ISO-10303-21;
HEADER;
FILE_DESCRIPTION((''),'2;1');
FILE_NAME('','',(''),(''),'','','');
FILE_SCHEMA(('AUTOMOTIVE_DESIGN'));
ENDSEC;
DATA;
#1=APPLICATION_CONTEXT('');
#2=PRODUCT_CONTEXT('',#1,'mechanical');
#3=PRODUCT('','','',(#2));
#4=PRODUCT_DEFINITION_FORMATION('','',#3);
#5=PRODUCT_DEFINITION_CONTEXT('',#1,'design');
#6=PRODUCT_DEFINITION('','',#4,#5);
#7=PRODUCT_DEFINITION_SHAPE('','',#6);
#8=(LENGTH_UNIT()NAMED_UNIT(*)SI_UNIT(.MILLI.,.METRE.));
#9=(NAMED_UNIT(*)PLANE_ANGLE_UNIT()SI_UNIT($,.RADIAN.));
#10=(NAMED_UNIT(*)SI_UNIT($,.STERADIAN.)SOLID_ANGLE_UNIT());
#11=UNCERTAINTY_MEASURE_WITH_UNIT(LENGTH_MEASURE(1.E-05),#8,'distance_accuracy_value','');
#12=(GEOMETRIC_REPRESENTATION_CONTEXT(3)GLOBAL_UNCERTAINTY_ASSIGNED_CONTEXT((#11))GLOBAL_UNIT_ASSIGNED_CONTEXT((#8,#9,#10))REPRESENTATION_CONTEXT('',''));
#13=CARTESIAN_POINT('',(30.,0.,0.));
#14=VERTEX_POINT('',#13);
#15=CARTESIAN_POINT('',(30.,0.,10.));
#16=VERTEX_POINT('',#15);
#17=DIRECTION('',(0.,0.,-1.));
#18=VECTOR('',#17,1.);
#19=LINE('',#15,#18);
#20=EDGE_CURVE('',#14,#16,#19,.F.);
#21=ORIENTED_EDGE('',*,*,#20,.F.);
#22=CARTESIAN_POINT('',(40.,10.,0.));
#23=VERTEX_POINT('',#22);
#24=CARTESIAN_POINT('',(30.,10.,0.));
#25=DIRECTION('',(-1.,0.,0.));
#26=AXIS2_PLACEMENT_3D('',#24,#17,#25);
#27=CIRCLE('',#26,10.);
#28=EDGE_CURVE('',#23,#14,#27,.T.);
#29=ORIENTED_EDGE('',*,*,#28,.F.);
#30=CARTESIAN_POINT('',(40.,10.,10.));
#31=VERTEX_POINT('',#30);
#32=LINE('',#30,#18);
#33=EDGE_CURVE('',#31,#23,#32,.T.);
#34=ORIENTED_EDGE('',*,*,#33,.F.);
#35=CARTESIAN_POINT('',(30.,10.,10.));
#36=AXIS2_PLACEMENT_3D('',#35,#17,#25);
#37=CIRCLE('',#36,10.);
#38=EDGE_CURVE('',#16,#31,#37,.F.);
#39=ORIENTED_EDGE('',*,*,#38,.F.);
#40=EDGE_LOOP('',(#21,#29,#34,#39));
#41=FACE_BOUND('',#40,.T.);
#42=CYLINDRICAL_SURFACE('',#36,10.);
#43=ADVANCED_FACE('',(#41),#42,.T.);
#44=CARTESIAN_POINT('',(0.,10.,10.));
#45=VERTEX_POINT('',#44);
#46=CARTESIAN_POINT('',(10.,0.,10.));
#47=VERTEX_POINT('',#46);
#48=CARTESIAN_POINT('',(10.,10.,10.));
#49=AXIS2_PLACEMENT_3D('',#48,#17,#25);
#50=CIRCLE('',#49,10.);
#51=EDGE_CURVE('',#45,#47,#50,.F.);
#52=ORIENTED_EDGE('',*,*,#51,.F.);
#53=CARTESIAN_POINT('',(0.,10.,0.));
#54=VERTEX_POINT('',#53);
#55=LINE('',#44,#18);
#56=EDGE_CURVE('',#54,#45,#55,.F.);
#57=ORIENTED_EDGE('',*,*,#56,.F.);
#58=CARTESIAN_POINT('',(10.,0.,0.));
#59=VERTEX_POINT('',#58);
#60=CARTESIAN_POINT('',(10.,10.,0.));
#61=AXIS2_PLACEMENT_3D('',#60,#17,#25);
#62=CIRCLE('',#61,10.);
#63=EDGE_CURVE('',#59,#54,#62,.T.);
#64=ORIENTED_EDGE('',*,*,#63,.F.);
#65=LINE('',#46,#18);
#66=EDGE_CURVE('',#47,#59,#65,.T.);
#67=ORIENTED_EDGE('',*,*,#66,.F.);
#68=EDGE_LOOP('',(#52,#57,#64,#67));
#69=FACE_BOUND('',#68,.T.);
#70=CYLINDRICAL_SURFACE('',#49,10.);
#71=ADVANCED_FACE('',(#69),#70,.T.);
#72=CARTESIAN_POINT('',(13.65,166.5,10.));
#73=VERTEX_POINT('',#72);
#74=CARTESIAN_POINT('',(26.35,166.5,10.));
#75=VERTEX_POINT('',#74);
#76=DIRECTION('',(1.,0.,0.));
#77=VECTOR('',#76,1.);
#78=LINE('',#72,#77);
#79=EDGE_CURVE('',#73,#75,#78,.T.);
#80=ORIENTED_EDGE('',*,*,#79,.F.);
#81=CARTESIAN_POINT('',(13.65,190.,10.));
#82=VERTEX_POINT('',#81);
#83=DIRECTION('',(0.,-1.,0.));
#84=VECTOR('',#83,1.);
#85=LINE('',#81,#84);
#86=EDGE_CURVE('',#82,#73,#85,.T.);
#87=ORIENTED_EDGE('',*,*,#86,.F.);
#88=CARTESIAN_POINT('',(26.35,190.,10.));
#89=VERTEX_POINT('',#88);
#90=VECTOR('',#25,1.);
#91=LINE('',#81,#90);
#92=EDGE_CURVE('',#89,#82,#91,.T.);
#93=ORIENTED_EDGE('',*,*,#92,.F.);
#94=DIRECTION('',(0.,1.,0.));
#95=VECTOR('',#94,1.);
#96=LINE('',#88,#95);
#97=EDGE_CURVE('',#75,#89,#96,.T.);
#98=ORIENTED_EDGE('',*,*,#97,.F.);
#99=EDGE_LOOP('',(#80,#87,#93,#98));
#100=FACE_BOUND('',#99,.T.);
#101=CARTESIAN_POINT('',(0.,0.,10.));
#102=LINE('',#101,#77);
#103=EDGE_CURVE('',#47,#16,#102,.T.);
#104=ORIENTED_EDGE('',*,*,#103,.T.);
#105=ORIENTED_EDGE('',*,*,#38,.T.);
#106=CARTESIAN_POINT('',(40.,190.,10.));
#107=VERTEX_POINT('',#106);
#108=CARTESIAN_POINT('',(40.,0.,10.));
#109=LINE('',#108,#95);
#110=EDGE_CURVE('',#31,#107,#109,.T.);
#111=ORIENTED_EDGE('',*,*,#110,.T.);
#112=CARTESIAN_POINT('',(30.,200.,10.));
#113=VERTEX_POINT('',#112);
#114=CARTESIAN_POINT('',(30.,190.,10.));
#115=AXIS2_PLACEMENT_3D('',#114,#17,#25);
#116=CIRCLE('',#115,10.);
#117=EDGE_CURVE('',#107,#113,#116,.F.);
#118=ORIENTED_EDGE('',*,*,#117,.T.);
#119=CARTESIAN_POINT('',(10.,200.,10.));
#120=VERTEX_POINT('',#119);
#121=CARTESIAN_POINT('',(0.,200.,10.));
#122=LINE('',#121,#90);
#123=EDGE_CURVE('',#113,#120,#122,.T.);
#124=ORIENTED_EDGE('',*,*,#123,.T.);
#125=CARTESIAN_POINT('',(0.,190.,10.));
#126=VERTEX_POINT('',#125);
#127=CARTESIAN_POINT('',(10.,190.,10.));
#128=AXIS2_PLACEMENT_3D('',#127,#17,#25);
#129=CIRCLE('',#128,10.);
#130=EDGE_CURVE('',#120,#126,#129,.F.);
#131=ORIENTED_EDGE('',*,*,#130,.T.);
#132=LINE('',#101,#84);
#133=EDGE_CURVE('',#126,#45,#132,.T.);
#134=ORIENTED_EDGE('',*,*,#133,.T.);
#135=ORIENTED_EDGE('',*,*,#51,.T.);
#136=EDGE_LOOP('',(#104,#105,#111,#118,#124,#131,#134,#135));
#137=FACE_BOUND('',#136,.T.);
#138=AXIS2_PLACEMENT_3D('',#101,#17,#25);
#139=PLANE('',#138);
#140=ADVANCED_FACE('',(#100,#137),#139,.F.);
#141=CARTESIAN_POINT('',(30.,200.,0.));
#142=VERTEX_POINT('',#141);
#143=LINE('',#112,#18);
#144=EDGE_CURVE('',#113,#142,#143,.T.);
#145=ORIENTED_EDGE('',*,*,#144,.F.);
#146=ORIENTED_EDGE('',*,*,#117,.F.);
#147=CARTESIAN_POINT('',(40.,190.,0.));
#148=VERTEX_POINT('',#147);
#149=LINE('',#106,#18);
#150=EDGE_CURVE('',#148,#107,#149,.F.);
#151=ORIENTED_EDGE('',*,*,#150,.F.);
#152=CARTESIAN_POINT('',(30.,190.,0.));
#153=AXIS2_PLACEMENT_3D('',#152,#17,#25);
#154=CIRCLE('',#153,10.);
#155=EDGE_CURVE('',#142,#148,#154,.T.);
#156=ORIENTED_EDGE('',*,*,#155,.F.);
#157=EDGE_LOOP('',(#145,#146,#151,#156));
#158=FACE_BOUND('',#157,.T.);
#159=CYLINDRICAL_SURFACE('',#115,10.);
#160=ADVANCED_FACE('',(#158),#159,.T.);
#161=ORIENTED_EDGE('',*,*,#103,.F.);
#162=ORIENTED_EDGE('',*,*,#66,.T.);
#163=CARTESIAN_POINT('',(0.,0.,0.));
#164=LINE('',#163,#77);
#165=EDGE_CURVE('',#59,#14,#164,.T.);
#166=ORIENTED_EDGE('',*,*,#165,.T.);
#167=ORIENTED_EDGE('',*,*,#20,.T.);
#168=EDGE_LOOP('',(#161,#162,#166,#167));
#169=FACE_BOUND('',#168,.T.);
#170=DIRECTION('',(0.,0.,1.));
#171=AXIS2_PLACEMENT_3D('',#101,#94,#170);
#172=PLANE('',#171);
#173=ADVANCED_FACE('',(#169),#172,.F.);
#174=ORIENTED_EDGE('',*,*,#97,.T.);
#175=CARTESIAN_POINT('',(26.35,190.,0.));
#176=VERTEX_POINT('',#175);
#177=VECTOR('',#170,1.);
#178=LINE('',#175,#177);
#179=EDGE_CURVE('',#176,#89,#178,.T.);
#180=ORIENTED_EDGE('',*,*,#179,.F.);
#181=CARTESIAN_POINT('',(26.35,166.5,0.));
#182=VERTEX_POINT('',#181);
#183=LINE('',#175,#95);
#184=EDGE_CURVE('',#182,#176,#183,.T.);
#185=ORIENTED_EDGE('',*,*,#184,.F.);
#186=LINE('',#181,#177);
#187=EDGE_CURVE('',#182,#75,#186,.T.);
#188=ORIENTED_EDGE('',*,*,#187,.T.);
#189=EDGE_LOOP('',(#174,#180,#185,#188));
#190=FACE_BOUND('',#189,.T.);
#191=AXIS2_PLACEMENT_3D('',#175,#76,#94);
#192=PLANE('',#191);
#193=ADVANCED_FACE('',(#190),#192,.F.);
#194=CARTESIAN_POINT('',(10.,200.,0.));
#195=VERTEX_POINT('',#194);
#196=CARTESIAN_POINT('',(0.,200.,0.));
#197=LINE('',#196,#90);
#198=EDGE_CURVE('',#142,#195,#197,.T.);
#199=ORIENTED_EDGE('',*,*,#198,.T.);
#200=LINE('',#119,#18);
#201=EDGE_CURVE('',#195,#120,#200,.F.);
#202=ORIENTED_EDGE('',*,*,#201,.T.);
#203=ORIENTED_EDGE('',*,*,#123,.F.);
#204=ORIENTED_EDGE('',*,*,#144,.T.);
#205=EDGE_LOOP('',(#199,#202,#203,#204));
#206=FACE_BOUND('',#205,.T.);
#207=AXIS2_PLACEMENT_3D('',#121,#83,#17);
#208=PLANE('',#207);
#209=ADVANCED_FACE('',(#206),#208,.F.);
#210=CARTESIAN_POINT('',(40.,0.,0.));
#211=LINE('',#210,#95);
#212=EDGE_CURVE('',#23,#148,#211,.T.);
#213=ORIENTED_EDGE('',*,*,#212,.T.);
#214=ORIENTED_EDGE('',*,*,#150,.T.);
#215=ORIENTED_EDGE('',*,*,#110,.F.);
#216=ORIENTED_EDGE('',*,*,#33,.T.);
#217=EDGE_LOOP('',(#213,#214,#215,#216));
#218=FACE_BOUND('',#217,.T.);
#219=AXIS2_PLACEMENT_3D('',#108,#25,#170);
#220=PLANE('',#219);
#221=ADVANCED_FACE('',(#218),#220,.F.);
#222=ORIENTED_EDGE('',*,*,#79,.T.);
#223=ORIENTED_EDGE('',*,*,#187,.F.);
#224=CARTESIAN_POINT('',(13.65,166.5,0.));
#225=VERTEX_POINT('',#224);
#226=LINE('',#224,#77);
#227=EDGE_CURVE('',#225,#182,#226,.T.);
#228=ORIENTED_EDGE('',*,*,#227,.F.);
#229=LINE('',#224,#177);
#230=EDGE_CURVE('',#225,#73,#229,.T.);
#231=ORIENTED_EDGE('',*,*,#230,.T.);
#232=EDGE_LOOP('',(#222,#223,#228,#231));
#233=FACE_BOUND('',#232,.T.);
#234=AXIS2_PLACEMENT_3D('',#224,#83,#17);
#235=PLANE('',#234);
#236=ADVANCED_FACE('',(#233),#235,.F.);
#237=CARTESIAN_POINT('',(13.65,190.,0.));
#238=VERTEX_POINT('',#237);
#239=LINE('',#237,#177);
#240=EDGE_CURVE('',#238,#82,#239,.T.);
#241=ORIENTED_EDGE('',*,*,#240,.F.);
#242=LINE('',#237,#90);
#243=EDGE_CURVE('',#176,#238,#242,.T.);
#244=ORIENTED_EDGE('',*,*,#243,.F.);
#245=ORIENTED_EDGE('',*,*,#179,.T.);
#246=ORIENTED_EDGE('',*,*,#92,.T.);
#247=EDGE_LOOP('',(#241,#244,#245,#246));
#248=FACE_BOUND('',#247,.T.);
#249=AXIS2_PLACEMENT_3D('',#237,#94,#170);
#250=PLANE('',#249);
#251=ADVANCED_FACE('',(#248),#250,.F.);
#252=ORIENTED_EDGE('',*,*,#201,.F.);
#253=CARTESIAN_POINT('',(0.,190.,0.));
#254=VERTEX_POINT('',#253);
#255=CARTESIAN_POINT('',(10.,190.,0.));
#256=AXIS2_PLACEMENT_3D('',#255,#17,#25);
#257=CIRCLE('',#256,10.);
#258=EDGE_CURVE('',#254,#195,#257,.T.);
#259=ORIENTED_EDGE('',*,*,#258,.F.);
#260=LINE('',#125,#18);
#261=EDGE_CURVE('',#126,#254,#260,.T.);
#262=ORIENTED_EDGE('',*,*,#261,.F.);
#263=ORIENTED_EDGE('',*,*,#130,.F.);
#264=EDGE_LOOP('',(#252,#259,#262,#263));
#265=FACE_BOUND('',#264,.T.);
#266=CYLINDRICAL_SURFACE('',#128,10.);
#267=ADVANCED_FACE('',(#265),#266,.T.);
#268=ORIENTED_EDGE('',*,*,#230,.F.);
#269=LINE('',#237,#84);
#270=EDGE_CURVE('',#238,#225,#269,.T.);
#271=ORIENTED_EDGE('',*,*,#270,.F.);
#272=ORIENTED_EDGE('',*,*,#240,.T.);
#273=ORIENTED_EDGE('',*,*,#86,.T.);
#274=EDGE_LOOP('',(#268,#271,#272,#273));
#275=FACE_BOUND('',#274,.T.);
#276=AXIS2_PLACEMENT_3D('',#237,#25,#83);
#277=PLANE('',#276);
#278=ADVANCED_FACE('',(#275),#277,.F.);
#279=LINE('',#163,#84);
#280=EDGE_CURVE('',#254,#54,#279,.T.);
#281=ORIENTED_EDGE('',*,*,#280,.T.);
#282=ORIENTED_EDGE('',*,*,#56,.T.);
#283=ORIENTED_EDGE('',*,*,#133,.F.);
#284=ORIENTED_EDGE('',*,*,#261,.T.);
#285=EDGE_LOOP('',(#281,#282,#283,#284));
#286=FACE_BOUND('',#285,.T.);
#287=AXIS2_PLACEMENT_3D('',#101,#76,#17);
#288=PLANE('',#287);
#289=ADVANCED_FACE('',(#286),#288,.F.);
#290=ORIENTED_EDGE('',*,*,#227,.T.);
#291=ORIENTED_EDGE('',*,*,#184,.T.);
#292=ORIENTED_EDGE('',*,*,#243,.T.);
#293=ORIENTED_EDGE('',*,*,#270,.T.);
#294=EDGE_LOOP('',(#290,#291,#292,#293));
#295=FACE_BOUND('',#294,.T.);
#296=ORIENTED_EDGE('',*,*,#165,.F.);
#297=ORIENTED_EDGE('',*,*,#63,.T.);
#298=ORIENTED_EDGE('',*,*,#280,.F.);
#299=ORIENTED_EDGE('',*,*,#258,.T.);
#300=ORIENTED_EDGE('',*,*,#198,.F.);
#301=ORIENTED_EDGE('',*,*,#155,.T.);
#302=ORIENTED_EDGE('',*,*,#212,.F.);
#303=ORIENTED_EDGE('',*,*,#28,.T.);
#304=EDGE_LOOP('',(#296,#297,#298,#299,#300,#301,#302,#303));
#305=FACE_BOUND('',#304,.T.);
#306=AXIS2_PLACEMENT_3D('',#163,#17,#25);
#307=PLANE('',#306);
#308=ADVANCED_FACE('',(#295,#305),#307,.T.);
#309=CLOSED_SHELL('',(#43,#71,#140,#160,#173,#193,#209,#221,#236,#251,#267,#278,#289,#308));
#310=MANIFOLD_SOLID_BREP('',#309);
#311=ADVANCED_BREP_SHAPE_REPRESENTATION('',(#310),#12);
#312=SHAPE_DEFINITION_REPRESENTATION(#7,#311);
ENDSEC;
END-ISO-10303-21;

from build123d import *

# Parameters (mm, degrees)
SKICA1_W                 = 40
SKICA1_H                 = 200
P_IDAT_VYSUNUT_M1_DEPTH  = 10
ZAOBLIT1_R               = 10
SKICA2_W                 = 12.7
SKICA2_H                 = 23.5
ODEBRAT_VYSUNUT_M1_DEPTH = 205.205778567


with BuildPart() as part:
    # Skica1 → Přidat vysunutím1 (new body)
    with BuildSketch(Plane.XY):
        with Locations((20, 100)):
            Rectangle(SKICA1_W, SKICA1_H)
    extrude(amount=P_IDAT_VYSUNUT_M1_DEPTH)

    # Zaoblit1
    zaoblit1_edges = [part.edges().sort_by_distance(p)[0] for p in [
        (0, 200, 5),
        (40, 200, 5),
        (40, 0, 5),
        (0, 0, 5),
    ]]
    fillet(zaoblit1_edges, radius=ZAOBLIT1_R)

    # Skica2 → Odebrat vysunutím1 (cut, through all)
    with BuildSketch(Plane.XY.offset(10)):
        with Locations((20, 178.25)):
            Rectangle(SKICA2_W, SKICA2_H)
    extrude(amount=-ODEBRAT_VYSUNUT_M1_DEPTH, mode=Mode.SUBTRACT)


solid = part.part
